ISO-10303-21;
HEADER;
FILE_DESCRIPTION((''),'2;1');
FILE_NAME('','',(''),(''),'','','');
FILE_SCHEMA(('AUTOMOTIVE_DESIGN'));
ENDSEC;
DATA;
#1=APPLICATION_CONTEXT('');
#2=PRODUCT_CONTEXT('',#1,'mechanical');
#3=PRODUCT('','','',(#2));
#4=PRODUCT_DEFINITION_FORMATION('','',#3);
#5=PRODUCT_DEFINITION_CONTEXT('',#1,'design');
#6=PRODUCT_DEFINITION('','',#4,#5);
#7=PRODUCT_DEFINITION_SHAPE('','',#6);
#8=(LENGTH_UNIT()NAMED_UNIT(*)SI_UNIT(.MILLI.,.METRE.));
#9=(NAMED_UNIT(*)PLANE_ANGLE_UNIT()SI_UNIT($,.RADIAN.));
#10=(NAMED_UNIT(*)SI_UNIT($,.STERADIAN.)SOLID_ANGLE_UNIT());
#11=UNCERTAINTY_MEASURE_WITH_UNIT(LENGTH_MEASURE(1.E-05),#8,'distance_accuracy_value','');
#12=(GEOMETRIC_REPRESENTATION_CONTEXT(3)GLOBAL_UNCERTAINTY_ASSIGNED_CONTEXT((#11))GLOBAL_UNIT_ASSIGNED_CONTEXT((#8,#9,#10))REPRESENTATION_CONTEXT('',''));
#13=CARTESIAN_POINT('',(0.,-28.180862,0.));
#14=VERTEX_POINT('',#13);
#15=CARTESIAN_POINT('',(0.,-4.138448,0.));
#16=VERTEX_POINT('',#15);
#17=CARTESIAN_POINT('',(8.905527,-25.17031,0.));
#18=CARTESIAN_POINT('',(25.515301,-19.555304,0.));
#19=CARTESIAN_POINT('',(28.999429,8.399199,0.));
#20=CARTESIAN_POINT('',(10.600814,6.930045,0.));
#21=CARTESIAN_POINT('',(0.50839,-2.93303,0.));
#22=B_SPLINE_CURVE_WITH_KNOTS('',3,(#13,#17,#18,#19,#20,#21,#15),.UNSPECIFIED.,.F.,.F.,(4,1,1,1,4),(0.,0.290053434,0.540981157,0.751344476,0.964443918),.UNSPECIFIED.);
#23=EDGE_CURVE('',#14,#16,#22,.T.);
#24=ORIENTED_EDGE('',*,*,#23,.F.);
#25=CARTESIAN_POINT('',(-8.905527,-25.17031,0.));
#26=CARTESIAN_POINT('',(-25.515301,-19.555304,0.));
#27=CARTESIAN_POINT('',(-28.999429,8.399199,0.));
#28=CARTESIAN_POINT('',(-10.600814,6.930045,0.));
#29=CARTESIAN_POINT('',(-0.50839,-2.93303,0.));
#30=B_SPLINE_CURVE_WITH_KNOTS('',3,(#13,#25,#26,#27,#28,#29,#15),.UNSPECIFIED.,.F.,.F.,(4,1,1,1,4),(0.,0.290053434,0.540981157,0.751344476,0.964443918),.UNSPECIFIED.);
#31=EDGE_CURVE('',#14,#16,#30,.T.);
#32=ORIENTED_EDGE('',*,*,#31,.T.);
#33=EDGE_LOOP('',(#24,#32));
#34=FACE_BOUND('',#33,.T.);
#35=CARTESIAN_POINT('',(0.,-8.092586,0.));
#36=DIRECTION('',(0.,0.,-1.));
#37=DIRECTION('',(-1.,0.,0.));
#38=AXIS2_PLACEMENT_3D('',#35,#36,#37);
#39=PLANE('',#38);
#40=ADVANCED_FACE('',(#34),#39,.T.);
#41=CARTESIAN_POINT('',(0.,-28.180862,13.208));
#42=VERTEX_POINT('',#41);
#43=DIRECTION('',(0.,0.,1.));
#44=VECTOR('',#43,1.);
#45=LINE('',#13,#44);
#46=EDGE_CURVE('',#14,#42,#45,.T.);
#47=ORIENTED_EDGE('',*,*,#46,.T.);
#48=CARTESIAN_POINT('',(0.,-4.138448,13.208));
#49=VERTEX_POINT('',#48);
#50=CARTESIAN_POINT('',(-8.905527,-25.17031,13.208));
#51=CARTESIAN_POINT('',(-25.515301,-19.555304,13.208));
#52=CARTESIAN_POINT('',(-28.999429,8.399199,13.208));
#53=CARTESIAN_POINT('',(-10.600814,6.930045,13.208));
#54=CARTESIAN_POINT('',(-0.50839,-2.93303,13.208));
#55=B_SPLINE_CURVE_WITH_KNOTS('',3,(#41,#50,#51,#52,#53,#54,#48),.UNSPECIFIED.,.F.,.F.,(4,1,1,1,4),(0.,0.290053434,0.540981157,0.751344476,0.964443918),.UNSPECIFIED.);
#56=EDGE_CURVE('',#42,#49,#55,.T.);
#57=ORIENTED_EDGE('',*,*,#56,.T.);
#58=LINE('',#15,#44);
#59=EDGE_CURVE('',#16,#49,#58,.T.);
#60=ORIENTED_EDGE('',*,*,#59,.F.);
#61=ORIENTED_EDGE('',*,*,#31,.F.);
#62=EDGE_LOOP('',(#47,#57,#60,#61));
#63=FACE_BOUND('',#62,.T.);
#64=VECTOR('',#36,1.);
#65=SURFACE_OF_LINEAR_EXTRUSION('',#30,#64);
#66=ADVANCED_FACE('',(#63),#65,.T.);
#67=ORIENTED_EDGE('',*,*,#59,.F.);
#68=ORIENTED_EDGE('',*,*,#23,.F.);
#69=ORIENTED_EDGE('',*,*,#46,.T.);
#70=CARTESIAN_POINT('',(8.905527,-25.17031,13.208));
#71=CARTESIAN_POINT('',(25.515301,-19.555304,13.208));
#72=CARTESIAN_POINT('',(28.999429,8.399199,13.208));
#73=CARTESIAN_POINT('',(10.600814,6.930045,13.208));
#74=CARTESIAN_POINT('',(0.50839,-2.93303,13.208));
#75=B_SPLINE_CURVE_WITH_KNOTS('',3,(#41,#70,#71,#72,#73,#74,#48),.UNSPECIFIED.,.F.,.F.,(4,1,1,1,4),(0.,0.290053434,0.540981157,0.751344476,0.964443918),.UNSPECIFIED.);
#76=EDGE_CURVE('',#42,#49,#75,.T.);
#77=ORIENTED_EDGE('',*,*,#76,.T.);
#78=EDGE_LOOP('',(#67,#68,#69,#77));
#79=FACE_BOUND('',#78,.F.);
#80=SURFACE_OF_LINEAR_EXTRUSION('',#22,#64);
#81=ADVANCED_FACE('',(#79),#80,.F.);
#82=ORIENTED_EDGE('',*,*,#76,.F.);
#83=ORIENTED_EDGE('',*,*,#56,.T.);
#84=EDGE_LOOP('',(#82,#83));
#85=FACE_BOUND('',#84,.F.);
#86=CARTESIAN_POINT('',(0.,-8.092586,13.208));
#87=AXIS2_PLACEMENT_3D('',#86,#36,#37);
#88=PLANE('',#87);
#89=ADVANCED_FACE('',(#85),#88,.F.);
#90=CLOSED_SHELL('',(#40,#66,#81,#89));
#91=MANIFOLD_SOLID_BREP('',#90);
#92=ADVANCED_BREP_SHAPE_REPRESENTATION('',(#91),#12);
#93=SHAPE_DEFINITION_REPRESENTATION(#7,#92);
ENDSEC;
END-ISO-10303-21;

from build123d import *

# Parameters (mm, degrees)
F1_DEPTH = 13.208


with BuildPart() as f1:
    # F0 (on Top) → F1 (new body)
    with BuildSketch(Plane.XY):
        with BuildLine():
            add(Edge.make_bspline(
                [(0, -28.1808618456), (-8.9055266395, -25.1703100568), (-25.5153010178, -19.555304006), (-28.9994287139, 8.3991992658), (-10.600813516, 6.9300451764), (-0.5083900978, -2.933029905), (0, -4.1384482756)],
                knots=[0, 0, 0, 0, 0.2900534345, 0.5409811569, 0.7513444761, 0.9644439177, 0.9644439177, 0.9644439177, 0.9644439177], degree=3))
            add(Edge.make_bspline(
                [(0, -28.1808618456), (8.9055266395, -25.1703100568), (25.5153010178, -19.555304006), (28.9994287139, 8.3991992658), (10.600813516, 6.9300451764), (0.5083900978, -2.933029905), (0, -4.1384482756)],
                knots=[0, 0, 0, 0, 0.2900534345, 0.5409811569, 0.7513444761, 0.9644439177, 0.9644439177, 0.9644439177, 0.9644439177], degree=3))
        make_face()
        with BuildLine():
            add(Edge.make_bspline(
                [(0, -4.1384482756), (-0.0848259386, -4.3395748223), (-0.0424129693, -4.4360805699), (0, -4.5325863175)],
                knots=[0.9644439177, 0.9644439177, 0.9644439177, 0.9644439177, 1, 1, 1, 1], degree=3))
            add(Edge.make_bspline(
                [(0, -4.1384482756), (0.0848259386, -4.3395748223), (0.0424129693, -4.4360805699), (0, -4.5325863175)],
                knots=[0.9644439177, 0.9644439177, 0.9644439177, 0.9644439177, 1, 1, 1, 1], degree=3))
        make_face(mode=Mode.SUBTRACT)
        with BuildLine():
            add(Edge.make_bspline(
                [(0, -4.1384482756), (0.0848259386, -4.3395748223), (0.0424129693, -4.4360805699), (0, -4.5325863175)],
                knots=[0.9644439177, 0.9644439177, 0.9644439177, 0.9644439177, 1, 1, 1, 1], degree=3))
            add(Edge.make_bspline(
                [(0, -4.1384482756), (-0.0848259386, -4.3395748223), (-0.0424129693, -4.4360805699), (0, -4.5325863175)],
                knots=[0.9644439177, 0.9644439177, 0.9644439177, 0.9644439177, 1, 1, 1, 1], degree=3))
        make_face()
    extrude(amount=F1_DEPTH)


solid = f1.part
